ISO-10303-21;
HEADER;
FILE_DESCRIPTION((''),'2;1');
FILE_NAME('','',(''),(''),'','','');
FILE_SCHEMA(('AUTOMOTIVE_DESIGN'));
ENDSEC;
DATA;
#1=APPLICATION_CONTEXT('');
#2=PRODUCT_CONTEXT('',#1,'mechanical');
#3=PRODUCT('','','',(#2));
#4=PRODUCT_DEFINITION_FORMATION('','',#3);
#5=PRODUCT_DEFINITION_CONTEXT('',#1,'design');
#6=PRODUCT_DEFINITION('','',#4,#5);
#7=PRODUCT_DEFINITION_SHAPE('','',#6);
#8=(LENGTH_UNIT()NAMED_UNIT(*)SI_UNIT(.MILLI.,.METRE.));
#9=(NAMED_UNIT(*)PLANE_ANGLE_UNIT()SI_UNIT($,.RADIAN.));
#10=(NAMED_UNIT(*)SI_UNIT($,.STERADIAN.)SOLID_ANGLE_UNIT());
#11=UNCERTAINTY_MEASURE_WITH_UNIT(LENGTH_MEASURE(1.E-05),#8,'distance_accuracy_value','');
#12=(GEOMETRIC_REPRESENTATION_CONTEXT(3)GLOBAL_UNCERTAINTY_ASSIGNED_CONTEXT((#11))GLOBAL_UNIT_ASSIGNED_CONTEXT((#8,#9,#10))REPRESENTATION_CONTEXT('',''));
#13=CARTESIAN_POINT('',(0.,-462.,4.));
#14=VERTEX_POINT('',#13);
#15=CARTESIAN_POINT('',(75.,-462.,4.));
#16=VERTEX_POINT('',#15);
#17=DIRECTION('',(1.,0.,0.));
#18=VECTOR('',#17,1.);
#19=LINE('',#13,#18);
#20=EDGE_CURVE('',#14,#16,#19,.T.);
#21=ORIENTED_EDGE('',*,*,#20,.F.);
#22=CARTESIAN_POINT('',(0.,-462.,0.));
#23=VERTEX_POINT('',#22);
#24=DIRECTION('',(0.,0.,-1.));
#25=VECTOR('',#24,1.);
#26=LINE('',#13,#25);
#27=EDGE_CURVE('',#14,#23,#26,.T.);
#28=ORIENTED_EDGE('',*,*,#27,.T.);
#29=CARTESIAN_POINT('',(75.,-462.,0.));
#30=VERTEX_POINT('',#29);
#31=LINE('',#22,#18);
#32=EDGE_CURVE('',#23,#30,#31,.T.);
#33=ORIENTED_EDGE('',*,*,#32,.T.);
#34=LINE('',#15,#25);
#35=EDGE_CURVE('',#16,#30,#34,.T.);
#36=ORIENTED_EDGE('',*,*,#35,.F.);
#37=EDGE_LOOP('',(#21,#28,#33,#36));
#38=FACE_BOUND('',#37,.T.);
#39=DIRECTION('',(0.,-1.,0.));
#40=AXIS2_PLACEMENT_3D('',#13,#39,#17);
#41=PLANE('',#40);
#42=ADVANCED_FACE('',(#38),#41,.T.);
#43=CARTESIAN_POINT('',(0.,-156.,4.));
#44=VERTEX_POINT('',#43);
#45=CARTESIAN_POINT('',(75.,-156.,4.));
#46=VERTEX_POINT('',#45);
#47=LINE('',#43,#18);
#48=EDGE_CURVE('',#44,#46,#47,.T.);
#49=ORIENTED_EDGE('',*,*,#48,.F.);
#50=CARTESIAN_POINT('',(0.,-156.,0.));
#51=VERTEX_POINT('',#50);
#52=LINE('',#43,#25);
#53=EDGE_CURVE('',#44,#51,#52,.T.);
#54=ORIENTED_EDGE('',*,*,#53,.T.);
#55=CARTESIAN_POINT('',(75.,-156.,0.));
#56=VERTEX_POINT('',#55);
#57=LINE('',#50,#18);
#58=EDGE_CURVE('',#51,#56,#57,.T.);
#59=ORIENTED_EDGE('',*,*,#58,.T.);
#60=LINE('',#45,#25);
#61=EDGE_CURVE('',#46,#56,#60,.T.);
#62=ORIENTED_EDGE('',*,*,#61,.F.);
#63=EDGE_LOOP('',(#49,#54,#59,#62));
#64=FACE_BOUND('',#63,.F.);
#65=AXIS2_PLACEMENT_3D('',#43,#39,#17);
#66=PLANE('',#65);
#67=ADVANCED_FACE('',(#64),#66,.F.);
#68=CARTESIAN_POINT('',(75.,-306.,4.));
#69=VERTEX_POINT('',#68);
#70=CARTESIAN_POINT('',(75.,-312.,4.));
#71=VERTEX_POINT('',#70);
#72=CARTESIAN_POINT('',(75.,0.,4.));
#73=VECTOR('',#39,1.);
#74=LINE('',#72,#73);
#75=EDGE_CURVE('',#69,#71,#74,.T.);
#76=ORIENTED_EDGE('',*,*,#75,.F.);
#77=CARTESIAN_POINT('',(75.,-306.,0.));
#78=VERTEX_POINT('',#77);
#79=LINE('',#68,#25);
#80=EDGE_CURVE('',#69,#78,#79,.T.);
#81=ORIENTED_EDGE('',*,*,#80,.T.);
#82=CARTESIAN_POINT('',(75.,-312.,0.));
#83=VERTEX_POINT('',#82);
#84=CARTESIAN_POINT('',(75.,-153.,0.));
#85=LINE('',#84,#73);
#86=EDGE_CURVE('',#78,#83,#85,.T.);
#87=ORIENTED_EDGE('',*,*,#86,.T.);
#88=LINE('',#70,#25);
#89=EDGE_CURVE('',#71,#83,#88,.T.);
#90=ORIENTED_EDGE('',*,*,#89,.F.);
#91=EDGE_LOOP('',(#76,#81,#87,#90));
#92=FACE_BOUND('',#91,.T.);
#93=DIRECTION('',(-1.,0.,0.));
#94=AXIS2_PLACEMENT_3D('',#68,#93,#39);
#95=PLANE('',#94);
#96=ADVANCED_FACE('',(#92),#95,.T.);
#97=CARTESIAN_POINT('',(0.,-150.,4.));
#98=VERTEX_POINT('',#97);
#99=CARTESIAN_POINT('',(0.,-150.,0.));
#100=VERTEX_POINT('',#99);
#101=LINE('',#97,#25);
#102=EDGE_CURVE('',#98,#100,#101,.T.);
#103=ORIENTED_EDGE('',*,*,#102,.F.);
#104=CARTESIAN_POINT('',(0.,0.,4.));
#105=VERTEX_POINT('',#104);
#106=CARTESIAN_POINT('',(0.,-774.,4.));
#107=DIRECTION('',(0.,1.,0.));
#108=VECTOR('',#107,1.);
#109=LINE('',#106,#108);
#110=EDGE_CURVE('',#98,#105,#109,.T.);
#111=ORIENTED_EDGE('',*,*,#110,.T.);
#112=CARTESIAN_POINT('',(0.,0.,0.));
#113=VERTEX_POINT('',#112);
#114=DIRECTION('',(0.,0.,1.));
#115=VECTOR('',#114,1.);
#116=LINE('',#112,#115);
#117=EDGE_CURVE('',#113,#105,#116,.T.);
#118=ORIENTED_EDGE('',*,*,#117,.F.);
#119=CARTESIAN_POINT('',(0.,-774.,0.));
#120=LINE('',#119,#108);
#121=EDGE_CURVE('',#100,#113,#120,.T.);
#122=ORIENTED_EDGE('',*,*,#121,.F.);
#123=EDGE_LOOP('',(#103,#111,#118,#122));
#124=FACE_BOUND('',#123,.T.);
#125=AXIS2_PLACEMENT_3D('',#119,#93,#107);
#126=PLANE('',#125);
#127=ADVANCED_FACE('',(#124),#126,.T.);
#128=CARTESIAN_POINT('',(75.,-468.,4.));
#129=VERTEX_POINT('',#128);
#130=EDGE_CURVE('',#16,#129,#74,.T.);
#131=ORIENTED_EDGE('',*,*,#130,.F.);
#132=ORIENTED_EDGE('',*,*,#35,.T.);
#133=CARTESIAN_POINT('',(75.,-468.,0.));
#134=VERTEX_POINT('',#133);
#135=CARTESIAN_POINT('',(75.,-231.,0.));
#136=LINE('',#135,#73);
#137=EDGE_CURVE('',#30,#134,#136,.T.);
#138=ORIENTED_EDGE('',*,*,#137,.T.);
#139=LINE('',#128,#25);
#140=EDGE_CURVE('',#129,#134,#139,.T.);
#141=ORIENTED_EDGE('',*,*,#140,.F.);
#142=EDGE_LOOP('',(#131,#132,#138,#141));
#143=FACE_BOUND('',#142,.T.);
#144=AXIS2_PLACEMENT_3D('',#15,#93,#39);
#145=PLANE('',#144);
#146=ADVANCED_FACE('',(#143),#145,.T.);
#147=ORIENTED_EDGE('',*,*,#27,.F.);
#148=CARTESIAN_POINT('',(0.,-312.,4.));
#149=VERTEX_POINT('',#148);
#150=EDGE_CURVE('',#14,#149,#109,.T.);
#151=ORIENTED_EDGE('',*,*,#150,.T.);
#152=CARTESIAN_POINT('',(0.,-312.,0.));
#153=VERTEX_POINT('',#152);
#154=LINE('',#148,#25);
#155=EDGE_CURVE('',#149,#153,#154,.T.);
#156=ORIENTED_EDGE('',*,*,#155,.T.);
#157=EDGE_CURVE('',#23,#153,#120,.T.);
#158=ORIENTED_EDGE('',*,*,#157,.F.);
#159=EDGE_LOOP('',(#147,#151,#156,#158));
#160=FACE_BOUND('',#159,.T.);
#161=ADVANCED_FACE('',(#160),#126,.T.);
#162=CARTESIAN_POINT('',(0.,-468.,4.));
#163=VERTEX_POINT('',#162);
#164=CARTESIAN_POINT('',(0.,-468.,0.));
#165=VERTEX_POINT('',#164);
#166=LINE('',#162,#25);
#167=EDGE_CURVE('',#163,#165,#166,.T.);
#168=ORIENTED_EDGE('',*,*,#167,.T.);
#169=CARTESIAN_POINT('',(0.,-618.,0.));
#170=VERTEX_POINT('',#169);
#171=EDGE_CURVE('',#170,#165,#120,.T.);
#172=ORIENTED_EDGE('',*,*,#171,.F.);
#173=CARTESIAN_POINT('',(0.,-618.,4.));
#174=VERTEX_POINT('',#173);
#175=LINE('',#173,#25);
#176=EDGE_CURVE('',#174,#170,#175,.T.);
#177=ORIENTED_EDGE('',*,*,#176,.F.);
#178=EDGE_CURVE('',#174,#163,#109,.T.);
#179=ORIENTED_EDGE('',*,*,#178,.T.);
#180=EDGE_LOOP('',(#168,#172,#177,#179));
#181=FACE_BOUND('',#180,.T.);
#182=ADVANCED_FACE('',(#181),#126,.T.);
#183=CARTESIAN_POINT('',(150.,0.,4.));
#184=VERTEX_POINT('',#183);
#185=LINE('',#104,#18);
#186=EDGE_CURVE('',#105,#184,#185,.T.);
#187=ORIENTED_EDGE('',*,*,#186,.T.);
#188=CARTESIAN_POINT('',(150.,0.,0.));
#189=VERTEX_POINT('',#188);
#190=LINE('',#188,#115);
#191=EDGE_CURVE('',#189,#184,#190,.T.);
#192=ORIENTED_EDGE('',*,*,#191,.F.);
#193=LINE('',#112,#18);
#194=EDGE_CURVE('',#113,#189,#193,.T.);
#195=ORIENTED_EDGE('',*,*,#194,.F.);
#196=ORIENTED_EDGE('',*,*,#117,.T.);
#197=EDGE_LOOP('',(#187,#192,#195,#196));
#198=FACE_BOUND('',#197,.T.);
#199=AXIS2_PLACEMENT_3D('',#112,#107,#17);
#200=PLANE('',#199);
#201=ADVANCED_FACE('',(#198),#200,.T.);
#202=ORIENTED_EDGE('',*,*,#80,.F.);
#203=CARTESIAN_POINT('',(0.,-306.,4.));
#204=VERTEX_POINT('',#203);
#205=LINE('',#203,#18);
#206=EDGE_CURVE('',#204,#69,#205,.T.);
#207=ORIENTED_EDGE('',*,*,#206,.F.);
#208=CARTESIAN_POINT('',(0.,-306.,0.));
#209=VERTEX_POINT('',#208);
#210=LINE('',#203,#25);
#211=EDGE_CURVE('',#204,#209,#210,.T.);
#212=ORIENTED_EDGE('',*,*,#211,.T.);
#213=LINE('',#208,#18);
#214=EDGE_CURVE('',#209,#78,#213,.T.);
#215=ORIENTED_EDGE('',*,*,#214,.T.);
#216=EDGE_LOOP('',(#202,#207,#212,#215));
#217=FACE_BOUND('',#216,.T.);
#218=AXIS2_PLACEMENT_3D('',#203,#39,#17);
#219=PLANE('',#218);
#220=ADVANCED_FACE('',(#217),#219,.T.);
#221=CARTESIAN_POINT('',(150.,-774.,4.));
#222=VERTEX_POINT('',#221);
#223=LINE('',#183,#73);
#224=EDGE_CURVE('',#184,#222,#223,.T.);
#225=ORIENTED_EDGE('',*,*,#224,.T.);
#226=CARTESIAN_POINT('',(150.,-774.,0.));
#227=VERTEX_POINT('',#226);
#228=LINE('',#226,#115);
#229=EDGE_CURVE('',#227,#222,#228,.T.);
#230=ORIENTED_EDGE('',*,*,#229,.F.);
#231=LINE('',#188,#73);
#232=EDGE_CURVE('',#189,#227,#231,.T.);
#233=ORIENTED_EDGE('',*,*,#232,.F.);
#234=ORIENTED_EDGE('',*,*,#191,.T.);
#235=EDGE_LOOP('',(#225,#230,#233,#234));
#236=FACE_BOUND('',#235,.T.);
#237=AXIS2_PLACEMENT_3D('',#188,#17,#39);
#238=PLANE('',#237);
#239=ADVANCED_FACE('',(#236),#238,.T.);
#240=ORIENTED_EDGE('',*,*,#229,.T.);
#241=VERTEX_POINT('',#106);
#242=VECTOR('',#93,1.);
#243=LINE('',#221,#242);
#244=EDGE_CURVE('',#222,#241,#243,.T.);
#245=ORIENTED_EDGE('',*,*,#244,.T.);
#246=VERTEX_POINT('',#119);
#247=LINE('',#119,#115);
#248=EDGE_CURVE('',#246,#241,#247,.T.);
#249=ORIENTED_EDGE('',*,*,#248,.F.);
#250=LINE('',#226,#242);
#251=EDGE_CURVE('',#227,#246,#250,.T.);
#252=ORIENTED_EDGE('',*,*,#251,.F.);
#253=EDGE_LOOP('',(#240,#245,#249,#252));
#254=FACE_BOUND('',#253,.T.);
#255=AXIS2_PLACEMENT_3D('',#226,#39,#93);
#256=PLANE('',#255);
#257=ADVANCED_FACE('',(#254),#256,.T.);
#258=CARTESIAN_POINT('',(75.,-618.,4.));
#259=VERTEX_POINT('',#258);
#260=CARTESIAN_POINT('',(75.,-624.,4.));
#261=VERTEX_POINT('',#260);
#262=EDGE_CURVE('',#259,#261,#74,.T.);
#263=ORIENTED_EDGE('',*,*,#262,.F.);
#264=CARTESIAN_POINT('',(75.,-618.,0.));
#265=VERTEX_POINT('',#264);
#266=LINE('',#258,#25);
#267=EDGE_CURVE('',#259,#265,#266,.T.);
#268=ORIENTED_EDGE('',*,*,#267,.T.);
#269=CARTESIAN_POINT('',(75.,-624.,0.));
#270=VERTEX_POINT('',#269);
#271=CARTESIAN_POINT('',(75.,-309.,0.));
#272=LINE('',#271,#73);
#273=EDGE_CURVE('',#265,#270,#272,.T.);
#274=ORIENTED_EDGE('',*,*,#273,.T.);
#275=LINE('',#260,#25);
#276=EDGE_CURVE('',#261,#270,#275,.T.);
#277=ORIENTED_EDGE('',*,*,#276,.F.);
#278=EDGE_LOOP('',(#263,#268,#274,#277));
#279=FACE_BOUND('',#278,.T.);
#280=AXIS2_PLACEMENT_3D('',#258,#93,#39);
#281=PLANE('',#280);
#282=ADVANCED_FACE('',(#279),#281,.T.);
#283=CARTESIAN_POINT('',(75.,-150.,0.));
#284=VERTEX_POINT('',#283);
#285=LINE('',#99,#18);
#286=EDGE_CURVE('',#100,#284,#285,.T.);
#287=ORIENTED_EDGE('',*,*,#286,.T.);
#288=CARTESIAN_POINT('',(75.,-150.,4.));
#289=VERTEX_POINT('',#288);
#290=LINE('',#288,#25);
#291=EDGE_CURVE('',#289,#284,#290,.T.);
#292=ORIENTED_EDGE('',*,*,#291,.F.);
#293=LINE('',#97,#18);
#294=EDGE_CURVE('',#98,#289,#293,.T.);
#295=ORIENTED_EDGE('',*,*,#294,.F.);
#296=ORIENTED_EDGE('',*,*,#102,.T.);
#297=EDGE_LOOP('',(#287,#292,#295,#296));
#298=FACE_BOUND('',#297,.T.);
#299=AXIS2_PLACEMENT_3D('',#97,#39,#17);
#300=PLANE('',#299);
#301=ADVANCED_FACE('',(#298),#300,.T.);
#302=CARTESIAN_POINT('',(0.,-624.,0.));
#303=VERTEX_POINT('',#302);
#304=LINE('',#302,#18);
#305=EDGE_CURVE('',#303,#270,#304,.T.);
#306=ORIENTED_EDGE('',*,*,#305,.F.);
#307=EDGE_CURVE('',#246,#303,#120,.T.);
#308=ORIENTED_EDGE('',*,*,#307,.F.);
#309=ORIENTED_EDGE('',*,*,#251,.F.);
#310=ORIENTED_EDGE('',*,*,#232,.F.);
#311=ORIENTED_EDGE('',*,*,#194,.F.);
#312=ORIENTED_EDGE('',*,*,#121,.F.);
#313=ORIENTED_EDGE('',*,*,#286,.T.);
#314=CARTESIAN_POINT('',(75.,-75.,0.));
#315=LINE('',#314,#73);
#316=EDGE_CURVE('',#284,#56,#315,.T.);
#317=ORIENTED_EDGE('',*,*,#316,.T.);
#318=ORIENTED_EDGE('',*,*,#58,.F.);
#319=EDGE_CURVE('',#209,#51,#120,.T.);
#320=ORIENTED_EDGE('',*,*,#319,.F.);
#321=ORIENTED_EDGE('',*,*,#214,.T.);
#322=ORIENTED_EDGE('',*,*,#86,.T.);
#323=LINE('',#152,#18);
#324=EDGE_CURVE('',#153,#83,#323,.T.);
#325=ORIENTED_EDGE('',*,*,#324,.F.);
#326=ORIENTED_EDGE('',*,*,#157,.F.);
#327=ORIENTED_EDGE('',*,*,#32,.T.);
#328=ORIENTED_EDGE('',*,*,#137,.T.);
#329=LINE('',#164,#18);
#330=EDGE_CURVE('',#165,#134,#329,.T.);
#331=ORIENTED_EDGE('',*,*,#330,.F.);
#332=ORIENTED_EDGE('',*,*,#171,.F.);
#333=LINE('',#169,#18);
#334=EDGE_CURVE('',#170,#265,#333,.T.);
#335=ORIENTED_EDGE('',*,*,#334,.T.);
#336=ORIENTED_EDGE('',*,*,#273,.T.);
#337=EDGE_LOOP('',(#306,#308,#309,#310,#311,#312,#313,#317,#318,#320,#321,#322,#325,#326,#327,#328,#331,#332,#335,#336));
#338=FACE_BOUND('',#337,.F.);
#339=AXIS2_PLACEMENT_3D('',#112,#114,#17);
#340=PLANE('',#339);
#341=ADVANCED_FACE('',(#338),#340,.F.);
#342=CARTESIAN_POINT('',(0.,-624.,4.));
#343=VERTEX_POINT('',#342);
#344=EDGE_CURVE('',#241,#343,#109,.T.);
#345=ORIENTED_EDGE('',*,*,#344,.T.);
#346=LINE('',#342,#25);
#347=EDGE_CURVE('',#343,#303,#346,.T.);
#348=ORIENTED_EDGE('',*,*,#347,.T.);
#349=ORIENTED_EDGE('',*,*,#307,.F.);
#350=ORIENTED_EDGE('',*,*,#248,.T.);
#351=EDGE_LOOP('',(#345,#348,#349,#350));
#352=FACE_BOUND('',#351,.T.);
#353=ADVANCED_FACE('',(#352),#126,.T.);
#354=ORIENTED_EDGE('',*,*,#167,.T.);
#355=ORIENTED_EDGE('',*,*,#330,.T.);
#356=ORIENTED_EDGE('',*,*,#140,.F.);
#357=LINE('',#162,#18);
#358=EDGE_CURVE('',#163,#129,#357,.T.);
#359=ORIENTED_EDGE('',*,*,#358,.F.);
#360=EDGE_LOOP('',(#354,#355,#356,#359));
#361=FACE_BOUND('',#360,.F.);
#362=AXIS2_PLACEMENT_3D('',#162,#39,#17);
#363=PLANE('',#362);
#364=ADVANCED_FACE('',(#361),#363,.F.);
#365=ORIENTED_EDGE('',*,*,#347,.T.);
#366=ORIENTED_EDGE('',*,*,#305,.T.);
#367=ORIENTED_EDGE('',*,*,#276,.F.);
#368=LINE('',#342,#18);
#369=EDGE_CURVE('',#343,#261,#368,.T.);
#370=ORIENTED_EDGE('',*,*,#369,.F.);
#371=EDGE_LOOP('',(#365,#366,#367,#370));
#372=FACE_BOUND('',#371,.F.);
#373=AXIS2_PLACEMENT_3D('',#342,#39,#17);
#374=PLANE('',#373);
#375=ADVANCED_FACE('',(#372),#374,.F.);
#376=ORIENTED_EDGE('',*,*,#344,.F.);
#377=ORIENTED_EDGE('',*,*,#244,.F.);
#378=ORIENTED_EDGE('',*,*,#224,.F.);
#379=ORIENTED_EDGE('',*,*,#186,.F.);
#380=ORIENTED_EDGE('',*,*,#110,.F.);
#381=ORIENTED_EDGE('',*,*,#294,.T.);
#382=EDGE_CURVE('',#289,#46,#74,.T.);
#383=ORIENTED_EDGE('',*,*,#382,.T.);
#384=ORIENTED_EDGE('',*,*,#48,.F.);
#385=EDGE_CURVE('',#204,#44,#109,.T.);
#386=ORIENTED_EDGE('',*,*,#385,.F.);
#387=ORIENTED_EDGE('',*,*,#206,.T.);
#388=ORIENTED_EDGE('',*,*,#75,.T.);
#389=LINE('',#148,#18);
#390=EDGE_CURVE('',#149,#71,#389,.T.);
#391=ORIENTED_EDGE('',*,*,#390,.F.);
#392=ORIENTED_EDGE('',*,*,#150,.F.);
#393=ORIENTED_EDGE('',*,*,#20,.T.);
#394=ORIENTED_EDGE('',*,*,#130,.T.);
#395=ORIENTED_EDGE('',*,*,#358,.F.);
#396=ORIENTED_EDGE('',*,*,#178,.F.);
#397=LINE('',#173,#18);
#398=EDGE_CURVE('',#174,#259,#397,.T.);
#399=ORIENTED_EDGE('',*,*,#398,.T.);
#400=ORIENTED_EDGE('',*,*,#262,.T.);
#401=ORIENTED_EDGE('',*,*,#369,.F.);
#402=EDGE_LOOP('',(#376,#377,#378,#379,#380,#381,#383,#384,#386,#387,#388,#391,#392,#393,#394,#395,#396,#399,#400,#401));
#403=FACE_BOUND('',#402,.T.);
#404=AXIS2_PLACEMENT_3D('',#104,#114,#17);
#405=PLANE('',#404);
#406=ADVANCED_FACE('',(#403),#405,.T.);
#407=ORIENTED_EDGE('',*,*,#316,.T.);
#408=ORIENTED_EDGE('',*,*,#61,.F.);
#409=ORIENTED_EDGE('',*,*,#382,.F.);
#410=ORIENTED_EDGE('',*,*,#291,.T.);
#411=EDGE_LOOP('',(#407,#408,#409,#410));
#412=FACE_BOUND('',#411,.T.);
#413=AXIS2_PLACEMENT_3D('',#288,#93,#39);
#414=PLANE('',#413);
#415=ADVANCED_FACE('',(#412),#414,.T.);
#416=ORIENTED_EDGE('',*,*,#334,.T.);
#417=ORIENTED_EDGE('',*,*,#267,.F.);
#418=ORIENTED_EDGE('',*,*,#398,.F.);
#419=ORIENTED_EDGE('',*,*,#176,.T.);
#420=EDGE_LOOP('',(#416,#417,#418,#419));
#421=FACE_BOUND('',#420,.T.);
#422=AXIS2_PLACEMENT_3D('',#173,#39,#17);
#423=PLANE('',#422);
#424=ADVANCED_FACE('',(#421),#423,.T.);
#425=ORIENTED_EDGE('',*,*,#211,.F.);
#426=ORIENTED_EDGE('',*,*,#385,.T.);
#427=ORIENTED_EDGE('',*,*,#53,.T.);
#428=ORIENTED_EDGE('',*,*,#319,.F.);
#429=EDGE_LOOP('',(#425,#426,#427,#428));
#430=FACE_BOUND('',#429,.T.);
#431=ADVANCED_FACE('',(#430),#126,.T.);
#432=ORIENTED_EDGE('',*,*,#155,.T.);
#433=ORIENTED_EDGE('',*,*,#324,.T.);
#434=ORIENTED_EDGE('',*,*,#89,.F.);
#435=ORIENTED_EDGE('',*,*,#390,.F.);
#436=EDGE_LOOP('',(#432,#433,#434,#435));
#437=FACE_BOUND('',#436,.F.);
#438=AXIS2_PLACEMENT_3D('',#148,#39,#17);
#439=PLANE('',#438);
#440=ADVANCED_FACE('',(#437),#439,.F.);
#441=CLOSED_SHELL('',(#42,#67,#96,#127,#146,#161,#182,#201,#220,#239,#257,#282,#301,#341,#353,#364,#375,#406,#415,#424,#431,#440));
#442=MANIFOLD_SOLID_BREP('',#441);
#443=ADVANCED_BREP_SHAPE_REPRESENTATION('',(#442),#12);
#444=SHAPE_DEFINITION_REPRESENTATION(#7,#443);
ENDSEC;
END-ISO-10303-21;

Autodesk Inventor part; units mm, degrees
ref_plane "YZ Plane" through (0, 0, 0) normal (1, 0, 0) x (0, 1, 0)
ref_plane "XZ Plane" through (0, 0, 0) normal (0, 1, 0) x (-1, 0, 0)
ref_plane "XY Plane" through (0, 0, 0) normal (0, 0, 1) x (1, 0, 0)
sketch "Sketch1" plane through (0, 0, 0) normal (0, 0, 1) x (1, 0, 0)
  line L0 (0, 0) -> (150, 0)
  line L1 (150, 0) -> (150, -774)
  line L2 (150, -774) -> (0, -774)
  line L3 (0, -774) -> (0, 0)
  dimension "d0" = 150
  dimension "d1" = 774
extrude "Extrusion1" add sketch "Sketch1" along normal blind 4
sketch "Sketch2" plane through (0, 0, 4) normal (0, 0, 1) x (1, 0, 0)
  line L0 (0, 0) -> (0, -774) projected
  line L1 (0, -150) -> (150, -150)
  line L2 (150, -774) -> (150, 0) projected
  line L3 (0, -156) -> (150, -156)
  line L4 (150, 0) -> (0, 0) projected
  line L5 (0, -306) -> (150, -306)
  line L6 (0, -312) -> (150, -312)
  line L7 (0, -462) -> (150, -462)
  line L8 (0, -468) -> (150, -468)
  line L9 (0, -618) -> (150, -618)
  line L10 (0, -624) -> (150, -624)
  line L11 (0, -774) -> (150, -774)
  line L12 (0, -780) -> (150, -780)
  line L13 (75, 0) -> (75, -774)
  line L14 (0, -774) -> (150, -774) projected
  line L15 (0, 0) -> (0, -774)
  point P0 (75, -306)
  point P1 (75, -618)
  point P2 (75, -156)
  point P3 (75, -150)
  point P4 (75, -312)
  point P5 (75, -306)
  point P6 (75, -468)
  point P7 (75, -462)
  point P8 (75, -624)
  point P9 (75, -618)
  point P10 (75, -780)
  point P11 (75, -774)
  dimension "d4" = 150
  dimension "d5" = 6
  dimension "d6" = 150
  dimension "d8" = 6
  dimension "d9" = 150
  dimension "d10" = 6
  dimension "d11" = 150
  dimension "d12" = 6
  dimension "d13" = 150
  dimension "d14" = 6
extrude "Extrusion2" cut sketch "Sketch2" against normal blind 6 contours L1 L13 L3 L0 | L5 L13 L6 L0 | L7 L13 L8 L0 | L9 L13 L10 L0
properties part number "Separador" material "Wood (Cherry)"
